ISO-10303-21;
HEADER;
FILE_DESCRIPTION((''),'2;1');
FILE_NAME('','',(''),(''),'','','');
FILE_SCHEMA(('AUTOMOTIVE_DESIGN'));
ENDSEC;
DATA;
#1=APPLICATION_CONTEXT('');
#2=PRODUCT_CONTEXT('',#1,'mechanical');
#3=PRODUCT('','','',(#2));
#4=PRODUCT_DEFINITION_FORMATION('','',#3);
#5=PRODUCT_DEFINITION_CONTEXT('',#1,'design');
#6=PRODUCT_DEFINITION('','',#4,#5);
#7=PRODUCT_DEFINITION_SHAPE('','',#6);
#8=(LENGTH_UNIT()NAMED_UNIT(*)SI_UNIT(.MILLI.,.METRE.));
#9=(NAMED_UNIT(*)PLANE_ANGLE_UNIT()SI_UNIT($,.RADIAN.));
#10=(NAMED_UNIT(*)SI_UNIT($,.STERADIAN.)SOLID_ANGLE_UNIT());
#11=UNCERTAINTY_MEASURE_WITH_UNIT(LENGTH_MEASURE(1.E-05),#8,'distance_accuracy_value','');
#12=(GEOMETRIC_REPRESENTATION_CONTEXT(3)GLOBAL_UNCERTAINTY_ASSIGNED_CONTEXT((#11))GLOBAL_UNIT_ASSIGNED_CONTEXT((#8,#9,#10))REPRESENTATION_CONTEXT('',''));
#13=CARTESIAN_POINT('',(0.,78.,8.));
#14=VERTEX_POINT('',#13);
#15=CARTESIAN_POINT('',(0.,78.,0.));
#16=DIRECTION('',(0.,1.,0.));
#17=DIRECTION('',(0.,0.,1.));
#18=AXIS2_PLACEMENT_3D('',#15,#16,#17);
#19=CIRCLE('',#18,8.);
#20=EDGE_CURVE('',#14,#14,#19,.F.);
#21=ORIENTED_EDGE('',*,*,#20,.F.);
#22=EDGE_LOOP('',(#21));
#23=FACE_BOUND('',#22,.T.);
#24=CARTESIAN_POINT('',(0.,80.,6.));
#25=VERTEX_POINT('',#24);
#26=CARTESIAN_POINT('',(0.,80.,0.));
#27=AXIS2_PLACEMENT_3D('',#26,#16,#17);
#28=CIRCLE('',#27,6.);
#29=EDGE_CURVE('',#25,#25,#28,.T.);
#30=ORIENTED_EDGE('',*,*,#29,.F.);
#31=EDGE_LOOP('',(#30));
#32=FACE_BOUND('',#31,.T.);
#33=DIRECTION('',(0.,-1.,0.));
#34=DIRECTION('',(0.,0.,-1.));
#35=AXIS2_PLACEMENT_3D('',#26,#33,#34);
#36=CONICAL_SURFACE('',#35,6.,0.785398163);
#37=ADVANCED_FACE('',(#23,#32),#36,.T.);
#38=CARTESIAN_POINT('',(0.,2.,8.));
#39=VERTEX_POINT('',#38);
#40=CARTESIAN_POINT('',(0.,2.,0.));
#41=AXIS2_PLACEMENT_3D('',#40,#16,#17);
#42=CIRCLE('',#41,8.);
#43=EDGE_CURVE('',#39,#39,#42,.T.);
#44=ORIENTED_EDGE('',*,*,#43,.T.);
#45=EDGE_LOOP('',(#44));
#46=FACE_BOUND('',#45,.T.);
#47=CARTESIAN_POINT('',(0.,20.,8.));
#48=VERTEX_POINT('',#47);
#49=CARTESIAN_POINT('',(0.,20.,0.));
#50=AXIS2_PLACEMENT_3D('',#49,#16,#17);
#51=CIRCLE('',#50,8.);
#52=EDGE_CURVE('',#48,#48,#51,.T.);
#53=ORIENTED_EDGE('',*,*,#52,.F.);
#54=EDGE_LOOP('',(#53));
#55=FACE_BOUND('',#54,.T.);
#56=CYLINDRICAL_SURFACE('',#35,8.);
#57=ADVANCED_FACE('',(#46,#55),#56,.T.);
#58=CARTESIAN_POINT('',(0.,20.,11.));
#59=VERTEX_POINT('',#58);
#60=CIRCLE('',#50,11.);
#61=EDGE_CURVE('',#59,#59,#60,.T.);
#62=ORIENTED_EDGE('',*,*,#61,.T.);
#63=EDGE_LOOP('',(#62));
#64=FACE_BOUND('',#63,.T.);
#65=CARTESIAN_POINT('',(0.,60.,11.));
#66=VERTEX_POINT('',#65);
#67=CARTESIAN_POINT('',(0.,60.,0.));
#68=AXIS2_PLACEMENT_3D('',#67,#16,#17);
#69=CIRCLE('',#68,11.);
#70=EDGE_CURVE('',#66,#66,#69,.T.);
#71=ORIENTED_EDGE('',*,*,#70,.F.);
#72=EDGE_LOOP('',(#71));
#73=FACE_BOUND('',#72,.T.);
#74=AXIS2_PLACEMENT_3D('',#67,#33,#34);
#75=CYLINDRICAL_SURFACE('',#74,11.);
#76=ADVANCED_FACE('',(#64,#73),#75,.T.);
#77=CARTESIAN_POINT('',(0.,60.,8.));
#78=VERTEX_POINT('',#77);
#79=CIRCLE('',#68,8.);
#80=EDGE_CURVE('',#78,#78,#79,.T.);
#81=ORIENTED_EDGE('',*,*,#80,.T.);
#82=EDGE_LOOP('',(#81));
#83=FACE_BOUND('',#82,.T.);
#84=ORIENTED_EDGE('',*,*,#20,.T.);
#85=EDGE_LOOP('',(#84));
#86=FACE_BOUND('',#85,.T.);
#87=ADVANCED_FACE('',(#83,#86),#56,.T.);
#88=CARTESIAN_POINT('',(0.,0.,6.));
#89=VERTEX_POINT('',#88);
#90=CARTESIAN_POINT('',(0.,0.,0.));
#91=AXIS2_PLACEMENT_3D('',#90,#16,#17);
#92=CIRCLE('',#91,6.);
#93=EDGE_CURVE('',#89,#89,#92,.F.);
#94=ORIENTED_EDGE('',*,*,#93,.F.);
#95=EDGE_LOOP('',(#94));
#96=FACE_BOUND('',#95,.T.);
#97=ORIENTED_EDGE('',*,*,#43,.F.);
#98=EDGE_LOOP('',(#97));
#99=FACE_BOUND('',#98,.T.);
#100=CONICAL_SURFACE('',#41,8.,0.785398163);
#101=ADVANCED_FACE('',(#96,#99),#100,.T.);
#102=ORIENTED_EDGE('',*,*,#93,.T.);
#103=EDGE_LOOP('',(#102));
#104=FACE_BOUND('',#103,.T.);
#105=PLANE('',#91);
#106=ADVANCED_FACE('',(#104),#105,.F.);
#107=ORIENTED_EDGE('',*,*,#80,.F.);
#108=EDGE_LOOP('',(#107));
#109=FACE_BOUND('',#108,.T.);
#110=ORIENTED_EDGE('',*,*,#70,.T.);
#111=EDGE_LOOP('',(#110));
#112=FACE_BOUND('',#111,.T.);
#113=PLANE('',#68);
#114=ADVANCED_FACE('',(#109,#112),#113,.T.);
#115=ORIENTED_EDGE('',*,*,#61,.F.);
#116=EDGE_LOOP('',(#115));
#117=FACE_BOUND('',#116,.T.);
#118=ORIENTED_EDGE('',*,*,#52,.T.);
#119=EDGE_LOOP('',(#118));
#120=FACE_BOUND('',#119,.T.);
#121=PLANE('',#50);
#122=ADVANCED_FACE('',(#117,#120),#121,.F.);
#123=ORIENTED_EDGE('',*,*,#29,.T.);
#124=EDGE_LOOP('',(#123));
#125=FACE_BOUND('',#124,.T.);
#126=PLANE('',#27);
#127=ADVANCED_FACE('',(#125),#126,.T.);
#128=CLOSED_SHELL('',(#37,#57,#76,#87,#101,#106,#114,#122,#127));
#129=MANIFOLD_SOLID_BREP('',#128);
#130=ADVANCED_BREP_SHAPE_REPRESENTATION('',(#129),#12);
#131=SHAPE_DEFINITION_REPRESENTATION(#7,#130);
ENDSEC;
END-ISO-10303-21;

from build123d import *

# Parameters (mm, degrees)
CROQUIS1_R              = 8
SALIENTE_EXTRUIR1_DEPTH = 80
CROQUIS2_R              = 11
SALIENTE_EXTRUIR2_DEPTH = 20
CHAFL_N1_SIZE           = 2
CHAFL_N2_SIZE           = 2


with BuildPart() as part:
    # Croquis1 → Saliente-Extruir1 (new body)
    with BuildSketch(Plane(origin=(0, 0, 0), x_dir=(1, 0, 0), z_dir=(0, 1, 0))):
        Circle(CROQUIS1_R)
    extrude(amount=SALIENTE_EXTRUIR1_DEPTH)

    # Croquis2 → Saliente-Extruir2 (add, symmetric)
    with BuildSketch(Plane(origin=(0, 40, 0), x_dir=(1, 0, 0), z_dir=(0, 1, 0))):
        Circle(CROQUIS2_R)
    extrude(amount=SALIENTE_EXTRUIR2_DEPTH, both=True)

    # Chaflán1
    chafl_n1_edges = [part.edges().sort_by_distance(p)[0] for p in [
        (-8, 80, 0),
    ]]
    chamfer(chafl_n1_edges, length=CHAFL_N1_SIZE)

    # Chaflán2
    chafl_n2_edges = [part.edges().sort_by_distance(p)[0] for p in [
        (-8, 0, 0),
    ]]
    chamfer(chafl_n2_edges, length=CHAFL_N2_SIZE)


solid = part.part
